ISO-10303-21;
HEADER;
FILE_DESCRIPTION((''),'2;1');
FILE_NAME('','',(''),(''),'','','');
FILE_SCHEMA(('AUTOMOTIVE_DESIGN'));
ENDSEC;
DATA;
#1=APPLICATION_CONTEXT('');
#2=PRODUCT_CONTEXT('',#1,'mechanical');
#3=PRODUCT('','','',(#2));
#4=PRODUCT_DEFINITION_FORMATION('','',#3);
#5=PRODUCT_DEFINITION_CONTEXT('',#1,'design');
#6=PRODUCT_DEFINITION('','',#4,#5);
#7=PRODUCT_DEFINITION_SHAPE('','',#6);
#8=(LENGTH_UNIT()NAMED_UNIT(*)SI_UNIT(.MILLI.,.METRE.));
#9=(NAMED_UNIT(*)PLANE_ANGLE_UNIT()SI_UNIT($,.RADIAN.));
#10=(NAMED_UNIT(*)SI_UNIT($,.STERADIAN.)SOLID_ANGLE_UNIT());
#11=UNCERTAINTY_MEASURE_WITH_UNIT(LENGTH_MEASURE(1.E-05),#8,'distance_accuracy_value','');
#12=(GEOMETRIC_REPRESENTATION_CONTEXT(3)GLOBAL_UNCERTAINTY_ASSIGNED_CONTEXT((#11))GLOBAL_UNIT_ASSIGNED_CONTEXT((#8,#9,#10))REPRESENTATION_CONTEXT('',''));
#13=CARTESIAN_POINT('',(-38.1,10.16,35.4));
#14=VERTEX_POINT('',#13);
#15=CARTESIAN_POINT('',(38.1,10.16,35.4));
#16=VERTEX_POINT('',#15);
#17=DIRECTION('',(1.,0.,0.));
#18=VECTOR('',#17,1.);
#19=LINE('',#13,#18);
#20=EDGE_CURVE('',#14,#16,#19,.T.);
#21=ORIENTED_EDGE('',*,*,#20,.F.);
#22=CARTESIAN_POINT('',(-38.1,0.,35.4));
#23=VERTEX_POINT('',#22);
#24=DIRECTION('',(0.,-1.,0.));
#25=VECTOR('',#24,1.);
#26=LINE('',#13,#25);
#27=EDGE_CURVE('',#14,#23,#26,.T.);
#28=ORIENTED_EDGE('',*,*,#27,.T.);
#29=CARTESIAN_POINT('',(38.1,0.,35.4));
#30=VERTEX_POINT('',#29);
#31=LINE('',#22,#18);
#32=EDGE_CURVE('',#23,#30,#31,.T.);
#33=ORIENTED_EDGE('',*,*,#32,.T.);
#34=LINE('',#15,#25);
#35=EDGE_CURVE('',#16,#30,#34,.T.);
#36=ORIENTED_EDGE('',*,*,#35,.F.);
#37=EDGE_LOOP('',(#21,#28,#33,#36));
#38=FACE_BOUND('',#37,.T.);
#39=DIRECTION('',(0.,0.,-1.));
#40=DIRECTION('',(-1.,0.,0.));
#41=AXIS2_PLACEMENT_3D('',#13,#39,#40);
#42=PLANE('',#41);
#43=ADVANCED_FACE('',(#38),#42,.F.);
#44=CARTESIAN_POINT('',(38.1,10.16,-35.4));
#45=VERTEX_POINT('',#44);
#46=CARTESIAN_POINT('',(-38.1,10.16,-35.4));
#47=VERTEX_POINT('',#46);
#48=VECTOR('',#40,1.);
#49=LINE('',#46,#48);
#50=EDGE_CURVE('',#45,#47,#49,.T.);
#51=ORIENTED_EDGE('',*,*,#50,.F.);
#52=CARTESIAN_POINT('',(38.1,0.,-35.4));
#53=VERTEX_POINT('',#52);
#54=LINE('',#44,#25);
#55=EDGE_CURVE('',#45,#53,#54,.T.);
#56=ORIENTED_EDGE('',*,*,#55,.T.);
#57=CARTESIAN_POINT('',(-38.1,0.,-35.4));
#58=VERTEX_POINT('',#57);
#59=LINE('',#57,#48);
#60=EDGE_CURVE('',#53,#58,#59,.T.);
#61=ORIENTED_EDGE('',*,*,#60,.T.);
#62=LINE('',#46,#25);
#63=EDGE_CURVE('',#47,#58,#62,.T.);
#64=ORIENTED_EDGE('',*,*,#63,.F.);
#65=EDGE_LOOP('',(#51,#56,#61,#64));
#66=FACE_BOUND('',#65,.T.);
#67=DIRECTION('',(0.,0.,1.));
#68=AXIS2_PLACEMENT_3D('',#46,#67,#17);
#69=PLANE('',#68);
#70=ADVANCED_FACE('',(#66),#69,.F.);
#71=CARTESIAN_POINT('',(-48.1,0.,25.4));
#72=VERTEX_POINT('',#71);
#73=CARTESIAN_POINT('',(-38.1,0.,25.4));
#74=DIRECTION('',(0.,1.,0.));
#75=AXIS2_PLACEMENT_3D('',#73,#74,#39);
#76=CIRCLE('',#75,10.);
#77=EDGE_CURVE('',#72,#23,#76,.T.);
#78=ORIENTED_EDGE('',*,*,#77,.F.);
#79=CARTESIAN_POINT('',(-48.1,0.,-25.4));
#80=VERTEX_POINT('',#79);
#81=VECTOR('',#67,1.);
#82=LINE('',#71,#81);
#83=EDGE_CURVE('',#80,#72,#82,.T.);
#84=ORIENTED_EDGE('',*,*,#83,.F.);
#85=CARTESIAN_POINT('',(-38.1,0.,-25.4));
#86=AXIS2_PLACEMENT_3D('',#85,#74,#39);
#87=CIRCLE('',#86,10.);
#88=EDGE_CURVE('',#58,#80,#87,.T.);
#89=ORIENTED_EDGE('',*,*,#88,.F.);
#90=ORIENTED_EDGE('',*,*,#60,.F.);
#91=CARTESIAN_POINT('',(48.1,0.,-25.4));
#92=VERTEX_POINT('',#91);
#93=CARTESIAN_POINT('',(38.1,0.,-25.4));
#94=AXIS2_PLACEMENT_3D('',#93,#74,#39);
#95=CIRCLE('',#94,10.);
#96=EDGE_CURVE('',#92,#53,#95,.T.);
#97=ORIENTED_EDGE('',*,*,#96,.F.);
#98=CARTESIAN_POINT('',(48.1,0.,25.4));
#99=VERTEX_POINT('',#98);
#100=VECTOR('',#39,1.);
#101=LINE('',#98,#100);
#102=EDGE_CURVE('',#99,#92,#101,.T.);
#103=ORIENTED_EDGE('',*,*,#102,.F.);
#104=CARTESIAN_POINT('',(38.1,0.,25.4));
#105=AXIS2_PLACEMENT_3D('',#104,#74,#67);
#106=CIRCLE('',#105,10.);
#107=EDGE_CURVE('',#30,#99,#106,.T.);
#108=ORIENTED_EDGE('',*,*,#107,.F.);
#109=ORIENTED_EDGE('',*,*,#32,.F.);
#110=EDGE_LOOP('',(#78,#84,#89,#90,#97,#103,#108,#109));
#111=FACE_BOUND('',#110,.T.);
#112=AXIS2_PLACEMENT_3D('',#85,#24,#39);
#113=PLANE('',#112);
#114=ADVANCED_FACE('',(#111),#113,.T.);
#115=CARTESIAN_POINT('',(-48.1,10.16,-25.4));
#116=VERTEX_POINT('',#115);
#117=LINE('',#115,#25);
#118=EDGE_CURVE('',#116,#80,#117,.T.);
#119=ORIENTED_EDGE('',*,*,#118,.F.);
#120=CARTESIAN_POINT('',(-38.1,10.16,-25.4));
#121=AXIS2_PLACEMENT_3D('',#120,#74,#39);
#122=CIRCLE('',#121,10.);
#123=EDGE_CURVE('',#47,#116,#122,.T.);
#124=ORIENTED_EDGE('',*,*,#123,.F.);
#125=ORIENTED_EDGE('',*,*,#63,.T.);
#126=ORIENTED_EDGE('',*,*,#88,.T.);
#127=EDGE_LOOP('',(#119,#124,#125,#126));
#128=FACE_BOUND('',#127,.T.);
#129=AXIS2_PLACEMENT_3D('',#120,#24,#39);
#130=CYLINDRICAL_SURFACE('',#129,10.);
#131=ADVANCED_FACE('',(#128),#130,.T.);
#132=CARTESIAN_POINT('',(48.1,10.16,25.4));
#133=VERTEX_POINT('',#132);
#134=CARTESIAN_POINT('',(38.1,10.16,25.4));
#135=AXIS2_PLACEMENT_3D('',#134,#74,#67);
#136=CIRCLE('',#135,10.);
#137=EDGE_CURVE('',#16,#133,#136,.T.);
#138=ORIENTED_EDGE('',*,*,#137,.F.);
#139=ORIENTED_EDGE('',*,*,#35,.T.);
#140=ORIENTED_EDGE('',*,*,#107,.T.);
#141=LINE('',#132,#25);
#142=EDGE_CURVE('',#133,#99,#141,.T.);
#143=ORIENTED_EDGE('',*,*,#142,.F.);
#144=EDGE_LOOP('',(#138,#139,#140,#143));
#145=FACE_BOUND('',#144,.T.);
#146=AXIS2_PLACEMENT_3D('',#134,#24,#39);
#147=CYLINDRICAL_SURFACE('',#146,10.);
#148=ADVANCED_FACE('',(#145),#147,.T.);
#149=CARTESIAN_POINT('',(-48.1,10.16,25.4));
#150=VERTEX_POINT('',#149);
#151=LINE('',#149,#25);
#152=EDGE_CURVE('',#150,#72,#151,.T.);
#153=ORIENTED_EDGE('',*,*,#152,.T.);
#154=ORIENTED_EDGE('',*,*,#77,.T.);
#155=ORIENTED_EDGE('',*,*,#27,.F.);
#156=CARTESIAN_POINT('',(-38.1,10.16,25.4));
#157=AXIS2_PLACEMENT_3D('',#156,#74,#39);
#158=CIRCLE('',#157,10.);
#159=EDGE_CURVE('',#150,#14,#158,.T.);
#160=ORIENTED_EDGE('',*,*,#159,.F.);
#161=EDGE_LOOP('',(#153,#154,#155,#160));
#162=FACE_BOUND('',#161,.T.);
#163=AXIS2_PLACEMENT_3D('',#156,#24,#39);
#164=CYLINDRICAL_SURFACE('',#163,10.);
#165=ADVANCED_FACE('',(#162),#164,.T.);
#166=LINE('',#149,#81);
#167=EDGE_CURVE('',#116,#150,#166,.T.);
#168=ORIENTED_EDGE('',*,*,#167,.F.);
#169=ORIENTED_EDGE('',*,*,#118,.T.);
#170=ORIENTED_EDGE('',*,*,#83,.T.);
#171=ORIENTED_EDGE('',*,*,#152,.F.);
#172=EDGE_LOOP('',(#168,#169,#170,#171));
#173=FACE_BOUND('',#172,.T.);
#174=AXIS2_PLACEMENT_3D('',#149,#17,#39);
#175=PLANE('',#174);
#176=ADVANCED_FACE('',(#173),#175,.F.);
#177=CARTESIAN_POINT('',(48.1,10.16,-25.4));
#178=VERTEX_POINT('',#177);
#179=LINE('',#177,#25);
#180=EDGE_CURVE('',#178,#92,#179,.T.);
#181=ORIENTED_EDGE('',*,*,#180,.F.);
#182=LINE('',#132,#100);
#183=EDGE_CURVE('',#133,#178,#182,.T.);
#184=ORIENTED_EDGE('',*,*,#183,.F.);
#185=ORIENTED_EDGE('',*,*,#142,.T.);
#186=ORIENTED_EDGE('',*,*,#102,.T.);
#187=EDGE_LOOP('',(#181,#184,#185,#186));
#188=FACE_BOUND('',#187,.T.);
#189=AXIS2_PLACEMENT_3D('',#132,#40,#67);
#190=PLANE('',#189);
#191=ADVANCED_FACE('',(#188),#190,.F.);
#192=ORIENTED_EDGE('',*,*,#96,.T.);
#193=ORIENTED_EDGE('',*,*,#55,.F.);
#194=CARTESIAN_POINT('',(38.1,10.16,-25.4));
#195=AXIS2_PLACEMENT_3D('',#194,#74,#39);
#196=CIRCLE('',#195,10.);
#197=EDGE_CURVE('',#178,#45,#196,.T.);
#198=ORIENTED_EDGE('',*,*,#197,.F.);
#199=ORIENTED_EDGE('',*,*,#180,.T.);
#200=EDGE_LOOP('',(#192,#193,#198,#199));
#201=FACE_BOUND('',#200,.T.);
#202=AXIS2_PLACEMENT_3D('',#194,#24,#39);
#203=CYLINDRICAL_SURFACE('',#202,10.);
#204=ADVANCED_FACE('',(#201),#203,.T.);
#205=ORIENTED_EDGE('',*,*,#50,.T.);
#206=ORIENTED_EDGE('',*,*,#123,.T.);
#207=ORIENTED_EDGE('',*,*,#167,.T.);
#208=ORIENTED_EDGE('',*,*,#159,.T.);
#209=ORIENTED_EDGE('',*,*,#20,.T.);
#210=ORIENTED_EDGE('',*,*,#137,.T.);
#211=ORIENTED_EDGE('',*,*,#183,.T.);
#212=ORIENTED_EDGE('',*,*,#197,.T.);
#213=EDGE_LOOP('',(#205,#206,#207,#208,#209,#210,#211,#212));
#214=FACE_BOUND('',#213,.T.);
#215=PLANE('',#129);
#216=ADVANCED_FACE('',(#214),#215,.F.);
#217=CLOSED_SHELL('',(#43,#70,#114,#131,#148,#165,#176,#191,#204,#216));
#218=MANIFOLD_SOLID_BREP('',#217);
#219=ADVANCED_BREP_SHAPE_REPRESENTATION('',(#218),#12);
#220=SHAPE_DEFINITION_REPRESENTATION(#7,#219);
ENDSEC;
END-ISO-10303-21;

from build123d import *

# Parameters (mm, degrees)
BOSS_EXTRUDE1_DEPTH = 10.16


with BuildPart() as part:
    # Sketch1 → Boss-Extrude1 (new body)
    with BuildSketch(Plane(origin=(0, 0, 0), x_dir=(1, 0, 0), z_dir=(0, 1, 0))):
        with BuildLine():
            Line((-38.1, -35.4), (38.1, -35.4))
            ThreePointArc((38.1, -35.4), (45.171067812, -32.471067812), (48.1, -25.4))
            Line((48.1, -25.4), (48.1, 25.4))
            ThreePointArc((48.1, 25.4), (45.171067812, 32.471067812), (38.1, 35.4))
            Line((38.1, 35.4), (-38.1, 35.4))
            ThreePointArc((-38.1, 35.4), (-45.171067812, 32.471067812), (-48.1, 25.4))
            Line((-48.1, 25.4), (-48.1, -25.4))
            ThreePointArc((-48.1, -25.4), (-45.171067812, -32.471067812), (-38.1, -35.4))
        make_face()
    extrude(amount=BOSS_EXTRUDE1_DEPTH)


solid = part.part
